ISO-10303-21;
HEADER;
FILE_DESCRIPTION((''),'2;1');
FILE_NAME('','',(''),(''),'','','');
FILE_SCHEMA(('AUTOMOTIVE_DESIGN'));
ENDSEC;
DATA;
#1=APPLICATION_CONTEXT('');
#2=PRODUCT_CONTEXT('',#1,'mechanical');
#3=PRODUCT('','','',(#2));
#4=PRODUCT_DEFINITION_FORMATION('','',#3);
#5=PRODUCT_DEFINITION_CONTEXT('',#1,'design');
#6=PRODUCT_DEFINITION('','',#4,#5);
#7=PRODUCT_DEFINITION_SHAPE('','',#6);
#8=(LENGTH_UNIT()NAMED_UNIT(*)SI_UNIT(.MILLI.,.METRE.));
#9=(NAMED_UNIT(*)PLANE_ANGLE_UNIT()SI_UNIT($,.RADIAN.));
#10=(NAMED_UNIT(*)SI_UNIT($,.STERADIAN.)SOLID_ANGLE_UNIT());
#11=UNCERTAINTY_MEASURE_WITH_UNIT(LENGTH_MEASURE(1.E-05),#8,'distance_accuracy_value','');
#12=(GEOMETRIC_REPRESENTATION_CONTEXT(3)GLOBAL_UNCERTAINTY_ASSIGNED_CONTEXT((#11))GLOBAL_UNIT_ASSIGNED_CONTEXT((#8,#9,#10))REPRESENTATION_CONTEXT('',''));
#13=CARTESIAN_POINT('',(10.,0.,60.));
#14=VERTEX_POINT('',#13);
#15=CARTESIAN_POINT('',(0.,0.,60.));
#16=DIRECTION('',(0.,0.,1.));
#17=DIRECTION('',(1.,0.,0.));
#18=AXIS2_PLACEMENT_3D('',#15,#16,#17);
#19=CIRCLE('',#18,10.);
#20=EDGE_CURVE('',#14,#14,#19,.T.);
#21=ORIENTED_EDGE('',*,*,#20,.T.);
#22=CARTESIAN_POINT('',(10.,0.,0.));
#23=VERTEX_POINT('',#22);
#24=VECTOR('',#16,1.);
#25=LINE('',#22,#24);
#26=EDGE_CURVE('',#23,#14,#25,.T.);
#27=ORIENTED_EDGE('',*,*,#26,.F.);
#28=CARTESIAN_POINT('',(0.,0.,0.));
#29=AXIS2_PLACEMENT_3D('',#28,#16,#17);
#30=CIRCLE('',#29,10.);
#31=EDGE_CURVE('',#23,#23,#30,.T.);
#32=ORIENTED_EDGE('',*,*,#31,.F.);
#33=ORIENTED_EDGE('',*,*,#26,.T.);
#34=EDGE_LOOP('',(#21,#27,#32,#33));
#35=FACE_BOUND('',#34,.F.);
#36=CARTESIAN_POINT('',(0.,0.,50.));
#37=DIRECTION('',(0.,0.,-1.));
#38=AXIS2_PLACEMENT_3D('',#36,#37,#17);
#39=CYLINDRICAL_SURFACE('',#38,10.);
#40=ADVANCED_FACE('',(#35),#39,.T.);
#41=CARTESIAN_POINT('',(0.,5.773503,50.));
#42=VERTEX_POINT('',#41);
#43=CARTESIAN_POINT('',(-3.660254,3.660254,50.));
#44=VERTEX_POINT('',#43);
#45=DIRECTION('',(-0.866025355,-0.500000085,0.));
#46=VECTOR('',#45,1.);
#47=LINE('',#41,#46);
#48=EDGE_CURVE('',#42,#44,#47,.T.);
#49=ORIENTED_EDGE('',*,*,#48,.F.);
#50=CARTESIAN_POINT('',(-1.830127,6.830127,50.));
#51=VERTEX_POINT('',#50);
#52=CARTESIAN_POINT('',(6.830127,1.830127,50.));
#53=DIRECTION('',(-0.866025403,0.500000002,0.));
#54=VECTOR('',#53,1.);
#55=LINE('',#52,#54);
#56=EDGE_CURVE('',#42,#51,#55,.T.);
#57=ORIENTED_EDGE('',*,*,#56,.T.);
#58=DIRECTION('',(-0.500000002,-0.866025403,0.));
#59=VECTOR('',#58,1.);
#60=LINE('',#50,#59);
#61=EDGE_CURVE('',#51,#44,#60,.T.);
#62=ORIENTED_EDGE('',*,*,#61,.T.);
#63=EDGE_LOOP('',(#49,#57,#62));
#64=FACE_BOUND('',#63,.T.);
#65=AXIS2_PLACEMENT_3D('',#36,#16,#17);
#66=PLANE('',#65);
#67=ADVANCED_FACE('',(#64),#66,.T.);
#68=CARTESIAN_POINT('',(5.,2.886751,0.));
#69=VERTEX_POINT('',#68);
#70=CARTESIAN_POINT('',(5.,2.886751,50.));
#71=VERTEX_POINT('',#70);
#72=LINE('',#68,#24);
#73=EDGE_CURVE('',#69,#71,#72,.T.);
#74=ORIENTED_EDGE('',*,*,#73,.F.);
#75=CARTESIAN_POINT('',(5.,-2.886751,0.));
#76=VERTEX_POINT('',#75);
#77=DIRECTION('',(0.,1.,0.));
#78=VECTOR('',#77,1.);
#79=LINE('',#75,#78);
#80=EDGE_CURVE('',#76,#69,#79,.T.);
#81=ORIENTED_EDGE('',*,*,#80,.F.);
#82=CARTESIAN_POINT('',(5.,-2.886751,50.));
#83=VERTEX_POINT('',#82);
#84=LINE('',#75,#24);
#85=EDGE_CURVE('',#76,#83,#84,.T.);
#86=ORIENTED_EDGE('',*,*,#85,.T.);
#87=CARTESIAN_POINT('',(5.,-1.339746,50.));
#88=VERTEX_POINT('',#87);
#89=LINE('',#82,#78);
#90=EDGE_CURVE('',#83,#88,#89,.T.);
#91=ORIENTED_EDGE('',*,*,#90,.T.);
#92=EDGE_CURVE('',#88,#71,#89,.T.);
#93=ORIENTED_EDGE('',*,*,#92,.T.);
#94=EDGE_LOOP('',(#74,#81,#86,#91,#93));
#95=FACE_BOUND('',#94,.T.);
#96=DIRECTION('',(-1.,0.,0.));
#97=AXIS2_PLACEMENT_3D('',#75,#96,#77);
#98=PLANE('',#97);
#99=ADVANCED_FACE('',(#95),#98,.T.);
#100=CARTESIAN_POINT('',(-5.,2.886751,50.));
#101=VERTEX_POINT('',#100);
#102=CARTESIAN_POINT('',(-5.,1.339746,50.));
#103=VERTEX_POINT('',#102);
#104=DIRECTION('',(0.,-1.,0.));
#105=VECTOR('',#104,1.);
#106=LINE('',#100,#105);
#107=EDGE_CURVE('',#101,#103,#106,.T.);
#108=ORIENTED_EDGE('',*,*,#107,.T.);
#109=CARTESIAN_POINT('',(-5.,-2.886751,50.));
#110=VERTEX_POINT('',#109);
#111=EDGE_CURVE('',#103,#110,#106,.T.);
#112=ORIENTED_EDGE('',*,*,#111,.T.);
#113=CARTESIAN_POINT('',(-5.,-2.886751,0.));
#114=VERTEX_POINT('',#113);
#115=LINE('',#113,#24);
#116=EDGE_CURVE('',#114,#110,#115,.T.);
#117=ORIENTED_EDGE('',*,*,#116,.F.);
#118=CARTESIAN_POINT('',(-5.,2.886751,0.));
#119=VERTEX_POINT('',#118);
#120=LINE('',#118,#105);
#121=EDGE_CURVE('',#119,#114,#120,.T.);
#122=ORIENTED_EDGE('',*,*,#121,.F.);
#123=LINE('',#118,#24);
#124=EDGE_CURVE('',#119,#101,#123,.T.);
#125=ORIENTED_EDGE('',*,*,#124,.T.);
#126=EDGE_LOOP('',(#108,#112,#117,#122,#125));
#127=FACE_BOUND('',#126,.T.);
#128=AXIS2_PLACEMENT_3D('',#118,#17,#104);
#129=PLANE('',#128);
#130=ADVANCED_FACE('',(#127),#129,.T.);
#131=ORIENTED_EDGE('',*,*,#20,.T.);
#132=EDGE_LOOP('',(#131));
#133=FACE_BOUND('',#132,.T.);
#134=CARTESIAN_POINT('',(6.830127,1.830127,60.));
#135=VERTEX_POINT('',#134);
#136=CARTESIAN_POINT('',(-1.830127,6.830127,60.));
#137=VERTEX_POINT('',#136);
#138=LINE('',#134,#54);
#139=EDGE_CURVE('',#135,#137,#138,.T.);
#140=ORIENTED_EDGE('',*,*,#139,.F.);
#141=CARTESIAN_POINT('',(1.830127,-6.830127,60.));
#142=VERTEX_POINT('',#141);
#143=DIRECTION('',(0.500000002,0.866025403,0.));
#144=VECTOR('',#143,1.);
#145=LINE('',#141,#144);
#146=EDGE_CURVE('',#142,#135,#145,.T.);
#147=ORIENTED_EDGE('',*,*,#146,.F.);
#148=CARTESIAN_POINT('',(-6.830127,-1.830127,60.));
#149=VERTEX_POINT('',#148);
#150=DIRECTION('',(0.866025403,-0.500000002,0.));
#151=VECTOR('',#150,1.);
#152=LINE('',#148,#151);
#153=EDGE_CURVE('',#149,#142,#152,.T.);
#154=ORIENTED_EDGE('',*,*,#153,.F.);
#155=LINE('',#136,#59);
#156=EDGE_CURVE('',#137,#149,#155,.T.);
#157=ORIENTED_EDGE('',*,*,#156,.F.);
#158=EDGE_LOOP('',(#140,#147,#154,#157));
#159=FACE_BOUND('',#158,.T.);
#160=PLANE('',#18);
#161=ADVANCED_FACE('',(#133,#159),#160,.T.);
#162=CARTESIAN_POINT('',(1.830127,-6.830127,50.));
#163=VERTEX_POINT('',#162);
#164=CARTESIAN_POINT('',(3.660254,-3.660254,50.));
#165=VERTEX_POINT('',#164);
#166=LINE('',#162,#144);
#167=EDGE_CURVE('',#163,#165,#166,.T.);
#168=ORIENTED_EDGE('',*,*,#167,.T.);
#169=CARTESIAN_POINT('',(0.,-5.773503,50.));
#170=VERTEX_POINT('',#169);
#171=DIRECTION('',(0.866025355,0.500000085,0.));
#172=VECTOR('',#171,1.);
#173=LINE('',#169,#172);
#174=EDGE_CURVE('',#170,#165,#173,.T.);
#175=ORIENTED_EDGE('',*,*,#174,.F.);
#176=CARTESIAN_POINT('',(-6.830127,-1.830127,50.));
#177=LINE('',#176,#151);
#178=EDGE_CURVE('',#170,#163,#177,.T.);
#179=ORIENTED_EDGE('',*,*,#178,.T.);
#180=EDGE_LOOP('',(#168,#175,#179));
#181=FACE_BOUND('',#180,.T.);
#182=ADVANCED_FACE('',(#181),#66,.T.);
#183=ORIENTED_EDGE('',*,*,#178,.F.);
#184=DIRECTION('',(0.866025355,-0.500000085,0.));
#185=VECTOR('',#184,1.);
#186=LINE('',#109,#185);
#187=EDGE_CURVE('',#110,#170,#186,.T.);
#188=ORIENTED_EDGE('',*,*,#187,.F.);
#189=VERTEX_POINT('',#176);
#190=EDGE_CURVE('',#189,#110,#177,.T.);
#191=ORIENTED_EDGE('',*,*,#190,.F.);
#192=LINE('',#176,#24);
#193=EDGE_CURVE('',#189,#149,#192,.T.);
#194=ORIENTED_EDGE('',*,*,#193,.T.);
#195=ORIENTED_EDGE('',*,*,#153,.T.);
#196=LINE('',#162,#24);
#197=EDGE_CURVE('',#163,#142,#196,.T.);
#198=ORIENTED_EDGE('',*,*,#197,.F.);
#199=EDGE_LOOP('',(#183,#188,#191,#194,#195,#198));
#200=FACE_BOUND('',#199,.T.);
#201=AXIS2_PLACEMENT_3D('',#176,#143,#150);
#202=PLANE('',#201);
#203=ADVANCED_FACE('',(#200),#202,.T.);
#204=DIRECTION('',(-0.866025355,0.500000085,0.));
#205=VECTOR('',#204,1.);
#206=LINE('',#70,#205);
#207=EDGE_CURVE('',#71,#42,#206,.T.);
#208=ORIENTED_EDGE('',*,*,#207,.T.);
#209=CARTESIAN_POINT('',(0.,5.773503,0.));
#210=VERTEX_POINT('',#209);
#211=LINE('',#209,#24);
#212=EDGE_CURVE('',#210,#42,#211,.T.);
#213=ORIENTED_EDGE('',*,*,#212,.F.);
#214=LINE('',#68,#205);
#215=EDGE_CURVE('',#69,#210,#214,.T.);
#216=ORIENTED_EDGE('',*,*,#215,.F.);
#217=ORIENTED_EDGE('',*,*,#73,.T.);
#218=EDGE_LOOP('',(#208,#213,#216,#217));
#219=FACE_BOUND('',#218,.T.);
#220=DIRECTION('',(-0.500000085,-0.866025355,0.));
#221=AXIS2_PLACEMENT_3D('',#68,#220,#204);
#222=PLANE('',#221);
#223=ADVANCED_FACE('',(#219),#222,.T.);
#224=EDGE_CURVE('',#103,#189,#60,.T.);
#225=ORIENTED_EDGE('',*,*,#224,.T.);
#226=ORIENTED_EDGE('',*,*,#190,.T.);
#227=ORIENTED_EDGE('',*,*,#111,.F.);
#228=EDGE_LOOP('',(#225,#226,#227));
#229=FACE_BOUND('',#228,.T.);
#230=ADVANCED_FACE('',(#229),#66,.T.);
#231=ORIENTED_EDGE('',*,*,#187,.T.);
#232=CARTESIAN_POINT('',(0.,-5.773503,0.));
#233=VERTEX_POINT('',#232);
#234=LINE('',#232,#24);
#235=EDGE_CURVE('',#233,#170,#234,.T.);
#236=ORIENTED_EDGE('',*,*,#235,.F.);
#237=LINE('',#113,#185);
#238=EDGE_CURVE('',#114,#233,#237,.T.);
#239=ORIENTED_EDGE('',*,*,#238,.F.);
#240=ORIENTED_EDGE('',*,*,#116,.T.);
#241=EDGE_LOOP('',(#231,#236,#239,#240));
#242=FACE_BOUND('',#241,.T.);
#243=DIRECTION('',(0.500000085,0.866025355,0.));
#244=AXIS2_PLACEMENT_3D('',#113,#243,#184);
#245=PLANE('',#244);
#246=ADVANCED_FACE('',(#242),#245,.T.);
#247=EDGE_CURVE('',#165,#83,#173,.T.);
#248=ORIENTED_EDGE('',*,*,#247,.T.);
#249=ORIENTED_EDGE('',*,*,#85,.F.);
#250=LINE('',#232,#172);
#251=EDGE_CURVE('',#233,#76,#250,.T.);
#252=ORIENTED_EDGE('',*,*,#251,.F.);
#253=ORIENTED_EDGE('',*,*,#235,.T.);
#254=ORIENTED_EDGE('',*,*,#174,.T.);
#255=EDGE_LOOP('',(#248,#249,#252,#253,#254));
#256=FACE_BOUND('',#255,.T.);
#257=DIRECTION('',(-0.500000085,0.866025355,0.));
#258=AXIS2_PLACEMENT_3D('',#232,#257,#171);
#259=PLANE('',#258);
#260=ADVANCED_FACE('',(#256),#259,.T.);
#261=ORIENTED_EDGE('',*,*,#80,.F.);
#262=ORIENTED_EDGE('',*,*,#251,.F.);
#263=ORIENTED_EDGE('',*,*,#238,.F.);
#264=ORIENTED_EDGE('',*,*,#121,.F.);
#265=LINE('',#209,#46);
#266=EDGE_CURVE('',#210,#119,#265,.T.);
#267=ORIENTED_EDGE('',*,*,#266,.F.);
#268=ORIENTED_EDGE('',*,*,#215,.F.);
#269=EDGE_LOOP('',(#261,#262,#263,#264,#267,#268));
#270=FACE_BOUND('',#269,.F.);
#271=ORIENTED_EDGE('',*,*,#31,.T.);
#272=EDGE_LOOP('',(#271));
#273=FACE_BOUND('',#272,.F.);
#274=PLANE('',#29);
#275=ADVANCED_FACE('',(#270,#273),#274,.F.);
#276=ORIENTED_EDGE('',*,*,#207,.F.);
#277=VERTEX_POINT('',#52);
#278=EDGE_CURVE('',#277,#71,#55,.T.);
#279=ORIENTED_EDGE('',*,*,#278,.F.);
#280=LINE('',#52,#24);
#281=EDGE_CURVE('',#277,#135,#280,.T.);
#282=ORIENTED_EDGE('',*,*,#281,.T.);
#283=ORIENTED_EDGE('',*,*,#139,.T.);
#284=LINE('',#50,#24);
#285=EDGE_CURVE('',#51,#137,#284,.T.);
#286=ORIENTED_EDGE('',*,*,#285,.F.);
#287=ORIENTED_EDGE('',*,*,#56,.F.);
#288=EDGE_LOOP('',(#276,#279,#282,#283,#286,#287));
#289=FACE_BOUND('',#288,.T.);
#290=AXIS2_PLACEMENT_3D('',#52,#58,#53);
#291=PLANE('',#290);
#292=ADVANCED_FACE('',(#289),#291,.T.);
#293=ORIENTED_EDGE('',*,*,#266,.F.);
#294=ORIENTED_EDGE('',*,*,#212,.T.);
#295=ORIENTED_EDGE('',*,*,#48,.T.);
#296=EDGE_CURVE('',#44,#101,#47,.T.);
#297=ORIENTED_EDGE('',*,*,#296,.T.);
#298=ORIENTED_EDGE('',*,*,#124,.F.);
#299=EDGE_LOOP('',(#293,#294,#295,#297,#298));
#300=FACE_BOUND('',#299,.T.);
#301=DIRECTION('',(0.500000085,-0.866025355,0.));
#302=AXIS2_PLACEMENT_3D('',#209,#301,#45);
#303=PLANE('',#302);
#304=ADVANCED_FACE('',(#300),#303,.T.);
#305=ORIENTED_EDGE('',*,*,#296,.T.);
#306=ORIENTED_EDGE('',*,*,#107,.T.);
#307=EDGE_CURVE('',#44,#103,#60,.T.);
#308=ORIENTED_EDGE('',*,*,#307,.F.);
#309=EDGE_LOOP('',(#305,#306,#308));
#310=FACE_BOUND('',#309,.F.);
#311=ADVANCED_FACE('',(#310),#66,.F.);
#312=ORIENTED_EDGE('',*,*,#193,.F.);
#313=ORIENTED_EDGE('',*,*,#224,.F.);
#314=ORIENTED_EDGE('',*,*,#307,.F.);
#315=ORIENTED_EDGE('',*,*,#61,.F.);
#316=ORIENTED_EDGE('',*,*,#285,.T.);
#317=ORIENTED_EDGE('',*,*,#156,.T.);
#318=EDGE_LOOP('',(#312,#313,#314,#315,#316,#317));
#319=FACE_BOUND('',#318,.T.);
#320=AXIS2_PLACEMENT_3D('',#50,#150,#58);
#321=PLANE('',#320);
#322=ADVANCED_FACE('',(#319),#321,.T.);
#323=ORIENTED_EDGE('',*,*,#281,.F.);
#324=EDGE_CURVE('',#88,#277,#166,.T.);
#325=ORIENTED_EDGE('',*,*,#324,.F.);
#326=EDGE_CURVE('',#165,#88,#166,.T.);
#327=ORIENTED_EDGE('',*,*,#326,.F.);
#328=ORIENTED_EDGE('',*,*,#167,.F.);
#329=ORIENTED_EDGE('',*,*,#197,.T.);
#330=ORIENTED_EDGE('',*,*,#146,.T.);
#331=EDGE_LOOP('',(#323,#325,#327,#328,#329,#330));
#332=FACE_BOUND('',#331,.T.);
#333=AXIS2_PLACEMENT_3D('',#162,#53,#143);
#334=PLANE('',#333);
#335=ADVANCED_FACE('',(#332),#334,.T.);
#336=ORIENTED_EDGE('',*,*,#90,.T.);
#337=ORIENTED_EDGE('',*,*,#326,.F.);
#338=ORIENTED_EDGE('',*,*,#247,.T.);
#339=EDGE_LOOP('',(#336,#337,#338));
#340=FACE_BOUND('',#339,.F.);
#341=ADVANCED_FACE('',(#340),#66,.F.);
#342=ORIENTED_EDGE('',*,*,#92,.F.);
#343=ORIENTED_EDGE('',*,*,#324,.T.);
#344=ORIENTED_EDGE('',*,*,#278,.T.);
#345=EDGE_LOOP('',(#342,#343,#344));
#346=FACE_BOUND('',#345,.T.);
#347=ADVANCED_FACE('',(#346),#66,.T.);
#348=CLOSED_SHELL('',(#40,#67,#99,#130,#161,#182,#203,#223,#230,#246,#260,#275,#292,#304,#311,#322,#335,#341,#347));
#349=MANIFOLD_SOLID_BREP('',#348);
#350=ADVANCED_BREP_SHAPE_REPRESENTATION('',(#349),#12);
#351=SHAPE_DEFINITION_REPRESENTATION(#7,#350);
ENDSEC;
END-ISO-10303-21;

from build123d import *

# Parameters (mm, degrees)
SKETCH_R     = 10
PAD_DEPTH    = 50
SKETCH001_R  = 10
PAD001_DEPTH = 10


with BuildPart() as part:
    # Sketch → Pad (new body)
    with BuildSketch(Plane.XY):
        Circle(SKETCH_R)
        Polygon((5, -2.886751), (5, 2.886751), (0, 5.773503), (-5, 2.886751), (-5, -2.886751), (0, -5.773503), align=None, mode=Mode.SUBTRACT)
    extrude(amount=PAD_DEPTH)

    # Sketch001 → Pad001 (join)
    with BuildSketch(Plane.XY.offset(50)):
        Circle(SKETCH001_R)
        Polygon((-1.830127, 6.830127), (-6.830127, -1.830127), (1.830127, -6.830127), (6.830127, 1.830127), align=None, mode=Mode.SUBTRACT)
    extrude(amount=PAD001_DEPTH)


solid = part.part
